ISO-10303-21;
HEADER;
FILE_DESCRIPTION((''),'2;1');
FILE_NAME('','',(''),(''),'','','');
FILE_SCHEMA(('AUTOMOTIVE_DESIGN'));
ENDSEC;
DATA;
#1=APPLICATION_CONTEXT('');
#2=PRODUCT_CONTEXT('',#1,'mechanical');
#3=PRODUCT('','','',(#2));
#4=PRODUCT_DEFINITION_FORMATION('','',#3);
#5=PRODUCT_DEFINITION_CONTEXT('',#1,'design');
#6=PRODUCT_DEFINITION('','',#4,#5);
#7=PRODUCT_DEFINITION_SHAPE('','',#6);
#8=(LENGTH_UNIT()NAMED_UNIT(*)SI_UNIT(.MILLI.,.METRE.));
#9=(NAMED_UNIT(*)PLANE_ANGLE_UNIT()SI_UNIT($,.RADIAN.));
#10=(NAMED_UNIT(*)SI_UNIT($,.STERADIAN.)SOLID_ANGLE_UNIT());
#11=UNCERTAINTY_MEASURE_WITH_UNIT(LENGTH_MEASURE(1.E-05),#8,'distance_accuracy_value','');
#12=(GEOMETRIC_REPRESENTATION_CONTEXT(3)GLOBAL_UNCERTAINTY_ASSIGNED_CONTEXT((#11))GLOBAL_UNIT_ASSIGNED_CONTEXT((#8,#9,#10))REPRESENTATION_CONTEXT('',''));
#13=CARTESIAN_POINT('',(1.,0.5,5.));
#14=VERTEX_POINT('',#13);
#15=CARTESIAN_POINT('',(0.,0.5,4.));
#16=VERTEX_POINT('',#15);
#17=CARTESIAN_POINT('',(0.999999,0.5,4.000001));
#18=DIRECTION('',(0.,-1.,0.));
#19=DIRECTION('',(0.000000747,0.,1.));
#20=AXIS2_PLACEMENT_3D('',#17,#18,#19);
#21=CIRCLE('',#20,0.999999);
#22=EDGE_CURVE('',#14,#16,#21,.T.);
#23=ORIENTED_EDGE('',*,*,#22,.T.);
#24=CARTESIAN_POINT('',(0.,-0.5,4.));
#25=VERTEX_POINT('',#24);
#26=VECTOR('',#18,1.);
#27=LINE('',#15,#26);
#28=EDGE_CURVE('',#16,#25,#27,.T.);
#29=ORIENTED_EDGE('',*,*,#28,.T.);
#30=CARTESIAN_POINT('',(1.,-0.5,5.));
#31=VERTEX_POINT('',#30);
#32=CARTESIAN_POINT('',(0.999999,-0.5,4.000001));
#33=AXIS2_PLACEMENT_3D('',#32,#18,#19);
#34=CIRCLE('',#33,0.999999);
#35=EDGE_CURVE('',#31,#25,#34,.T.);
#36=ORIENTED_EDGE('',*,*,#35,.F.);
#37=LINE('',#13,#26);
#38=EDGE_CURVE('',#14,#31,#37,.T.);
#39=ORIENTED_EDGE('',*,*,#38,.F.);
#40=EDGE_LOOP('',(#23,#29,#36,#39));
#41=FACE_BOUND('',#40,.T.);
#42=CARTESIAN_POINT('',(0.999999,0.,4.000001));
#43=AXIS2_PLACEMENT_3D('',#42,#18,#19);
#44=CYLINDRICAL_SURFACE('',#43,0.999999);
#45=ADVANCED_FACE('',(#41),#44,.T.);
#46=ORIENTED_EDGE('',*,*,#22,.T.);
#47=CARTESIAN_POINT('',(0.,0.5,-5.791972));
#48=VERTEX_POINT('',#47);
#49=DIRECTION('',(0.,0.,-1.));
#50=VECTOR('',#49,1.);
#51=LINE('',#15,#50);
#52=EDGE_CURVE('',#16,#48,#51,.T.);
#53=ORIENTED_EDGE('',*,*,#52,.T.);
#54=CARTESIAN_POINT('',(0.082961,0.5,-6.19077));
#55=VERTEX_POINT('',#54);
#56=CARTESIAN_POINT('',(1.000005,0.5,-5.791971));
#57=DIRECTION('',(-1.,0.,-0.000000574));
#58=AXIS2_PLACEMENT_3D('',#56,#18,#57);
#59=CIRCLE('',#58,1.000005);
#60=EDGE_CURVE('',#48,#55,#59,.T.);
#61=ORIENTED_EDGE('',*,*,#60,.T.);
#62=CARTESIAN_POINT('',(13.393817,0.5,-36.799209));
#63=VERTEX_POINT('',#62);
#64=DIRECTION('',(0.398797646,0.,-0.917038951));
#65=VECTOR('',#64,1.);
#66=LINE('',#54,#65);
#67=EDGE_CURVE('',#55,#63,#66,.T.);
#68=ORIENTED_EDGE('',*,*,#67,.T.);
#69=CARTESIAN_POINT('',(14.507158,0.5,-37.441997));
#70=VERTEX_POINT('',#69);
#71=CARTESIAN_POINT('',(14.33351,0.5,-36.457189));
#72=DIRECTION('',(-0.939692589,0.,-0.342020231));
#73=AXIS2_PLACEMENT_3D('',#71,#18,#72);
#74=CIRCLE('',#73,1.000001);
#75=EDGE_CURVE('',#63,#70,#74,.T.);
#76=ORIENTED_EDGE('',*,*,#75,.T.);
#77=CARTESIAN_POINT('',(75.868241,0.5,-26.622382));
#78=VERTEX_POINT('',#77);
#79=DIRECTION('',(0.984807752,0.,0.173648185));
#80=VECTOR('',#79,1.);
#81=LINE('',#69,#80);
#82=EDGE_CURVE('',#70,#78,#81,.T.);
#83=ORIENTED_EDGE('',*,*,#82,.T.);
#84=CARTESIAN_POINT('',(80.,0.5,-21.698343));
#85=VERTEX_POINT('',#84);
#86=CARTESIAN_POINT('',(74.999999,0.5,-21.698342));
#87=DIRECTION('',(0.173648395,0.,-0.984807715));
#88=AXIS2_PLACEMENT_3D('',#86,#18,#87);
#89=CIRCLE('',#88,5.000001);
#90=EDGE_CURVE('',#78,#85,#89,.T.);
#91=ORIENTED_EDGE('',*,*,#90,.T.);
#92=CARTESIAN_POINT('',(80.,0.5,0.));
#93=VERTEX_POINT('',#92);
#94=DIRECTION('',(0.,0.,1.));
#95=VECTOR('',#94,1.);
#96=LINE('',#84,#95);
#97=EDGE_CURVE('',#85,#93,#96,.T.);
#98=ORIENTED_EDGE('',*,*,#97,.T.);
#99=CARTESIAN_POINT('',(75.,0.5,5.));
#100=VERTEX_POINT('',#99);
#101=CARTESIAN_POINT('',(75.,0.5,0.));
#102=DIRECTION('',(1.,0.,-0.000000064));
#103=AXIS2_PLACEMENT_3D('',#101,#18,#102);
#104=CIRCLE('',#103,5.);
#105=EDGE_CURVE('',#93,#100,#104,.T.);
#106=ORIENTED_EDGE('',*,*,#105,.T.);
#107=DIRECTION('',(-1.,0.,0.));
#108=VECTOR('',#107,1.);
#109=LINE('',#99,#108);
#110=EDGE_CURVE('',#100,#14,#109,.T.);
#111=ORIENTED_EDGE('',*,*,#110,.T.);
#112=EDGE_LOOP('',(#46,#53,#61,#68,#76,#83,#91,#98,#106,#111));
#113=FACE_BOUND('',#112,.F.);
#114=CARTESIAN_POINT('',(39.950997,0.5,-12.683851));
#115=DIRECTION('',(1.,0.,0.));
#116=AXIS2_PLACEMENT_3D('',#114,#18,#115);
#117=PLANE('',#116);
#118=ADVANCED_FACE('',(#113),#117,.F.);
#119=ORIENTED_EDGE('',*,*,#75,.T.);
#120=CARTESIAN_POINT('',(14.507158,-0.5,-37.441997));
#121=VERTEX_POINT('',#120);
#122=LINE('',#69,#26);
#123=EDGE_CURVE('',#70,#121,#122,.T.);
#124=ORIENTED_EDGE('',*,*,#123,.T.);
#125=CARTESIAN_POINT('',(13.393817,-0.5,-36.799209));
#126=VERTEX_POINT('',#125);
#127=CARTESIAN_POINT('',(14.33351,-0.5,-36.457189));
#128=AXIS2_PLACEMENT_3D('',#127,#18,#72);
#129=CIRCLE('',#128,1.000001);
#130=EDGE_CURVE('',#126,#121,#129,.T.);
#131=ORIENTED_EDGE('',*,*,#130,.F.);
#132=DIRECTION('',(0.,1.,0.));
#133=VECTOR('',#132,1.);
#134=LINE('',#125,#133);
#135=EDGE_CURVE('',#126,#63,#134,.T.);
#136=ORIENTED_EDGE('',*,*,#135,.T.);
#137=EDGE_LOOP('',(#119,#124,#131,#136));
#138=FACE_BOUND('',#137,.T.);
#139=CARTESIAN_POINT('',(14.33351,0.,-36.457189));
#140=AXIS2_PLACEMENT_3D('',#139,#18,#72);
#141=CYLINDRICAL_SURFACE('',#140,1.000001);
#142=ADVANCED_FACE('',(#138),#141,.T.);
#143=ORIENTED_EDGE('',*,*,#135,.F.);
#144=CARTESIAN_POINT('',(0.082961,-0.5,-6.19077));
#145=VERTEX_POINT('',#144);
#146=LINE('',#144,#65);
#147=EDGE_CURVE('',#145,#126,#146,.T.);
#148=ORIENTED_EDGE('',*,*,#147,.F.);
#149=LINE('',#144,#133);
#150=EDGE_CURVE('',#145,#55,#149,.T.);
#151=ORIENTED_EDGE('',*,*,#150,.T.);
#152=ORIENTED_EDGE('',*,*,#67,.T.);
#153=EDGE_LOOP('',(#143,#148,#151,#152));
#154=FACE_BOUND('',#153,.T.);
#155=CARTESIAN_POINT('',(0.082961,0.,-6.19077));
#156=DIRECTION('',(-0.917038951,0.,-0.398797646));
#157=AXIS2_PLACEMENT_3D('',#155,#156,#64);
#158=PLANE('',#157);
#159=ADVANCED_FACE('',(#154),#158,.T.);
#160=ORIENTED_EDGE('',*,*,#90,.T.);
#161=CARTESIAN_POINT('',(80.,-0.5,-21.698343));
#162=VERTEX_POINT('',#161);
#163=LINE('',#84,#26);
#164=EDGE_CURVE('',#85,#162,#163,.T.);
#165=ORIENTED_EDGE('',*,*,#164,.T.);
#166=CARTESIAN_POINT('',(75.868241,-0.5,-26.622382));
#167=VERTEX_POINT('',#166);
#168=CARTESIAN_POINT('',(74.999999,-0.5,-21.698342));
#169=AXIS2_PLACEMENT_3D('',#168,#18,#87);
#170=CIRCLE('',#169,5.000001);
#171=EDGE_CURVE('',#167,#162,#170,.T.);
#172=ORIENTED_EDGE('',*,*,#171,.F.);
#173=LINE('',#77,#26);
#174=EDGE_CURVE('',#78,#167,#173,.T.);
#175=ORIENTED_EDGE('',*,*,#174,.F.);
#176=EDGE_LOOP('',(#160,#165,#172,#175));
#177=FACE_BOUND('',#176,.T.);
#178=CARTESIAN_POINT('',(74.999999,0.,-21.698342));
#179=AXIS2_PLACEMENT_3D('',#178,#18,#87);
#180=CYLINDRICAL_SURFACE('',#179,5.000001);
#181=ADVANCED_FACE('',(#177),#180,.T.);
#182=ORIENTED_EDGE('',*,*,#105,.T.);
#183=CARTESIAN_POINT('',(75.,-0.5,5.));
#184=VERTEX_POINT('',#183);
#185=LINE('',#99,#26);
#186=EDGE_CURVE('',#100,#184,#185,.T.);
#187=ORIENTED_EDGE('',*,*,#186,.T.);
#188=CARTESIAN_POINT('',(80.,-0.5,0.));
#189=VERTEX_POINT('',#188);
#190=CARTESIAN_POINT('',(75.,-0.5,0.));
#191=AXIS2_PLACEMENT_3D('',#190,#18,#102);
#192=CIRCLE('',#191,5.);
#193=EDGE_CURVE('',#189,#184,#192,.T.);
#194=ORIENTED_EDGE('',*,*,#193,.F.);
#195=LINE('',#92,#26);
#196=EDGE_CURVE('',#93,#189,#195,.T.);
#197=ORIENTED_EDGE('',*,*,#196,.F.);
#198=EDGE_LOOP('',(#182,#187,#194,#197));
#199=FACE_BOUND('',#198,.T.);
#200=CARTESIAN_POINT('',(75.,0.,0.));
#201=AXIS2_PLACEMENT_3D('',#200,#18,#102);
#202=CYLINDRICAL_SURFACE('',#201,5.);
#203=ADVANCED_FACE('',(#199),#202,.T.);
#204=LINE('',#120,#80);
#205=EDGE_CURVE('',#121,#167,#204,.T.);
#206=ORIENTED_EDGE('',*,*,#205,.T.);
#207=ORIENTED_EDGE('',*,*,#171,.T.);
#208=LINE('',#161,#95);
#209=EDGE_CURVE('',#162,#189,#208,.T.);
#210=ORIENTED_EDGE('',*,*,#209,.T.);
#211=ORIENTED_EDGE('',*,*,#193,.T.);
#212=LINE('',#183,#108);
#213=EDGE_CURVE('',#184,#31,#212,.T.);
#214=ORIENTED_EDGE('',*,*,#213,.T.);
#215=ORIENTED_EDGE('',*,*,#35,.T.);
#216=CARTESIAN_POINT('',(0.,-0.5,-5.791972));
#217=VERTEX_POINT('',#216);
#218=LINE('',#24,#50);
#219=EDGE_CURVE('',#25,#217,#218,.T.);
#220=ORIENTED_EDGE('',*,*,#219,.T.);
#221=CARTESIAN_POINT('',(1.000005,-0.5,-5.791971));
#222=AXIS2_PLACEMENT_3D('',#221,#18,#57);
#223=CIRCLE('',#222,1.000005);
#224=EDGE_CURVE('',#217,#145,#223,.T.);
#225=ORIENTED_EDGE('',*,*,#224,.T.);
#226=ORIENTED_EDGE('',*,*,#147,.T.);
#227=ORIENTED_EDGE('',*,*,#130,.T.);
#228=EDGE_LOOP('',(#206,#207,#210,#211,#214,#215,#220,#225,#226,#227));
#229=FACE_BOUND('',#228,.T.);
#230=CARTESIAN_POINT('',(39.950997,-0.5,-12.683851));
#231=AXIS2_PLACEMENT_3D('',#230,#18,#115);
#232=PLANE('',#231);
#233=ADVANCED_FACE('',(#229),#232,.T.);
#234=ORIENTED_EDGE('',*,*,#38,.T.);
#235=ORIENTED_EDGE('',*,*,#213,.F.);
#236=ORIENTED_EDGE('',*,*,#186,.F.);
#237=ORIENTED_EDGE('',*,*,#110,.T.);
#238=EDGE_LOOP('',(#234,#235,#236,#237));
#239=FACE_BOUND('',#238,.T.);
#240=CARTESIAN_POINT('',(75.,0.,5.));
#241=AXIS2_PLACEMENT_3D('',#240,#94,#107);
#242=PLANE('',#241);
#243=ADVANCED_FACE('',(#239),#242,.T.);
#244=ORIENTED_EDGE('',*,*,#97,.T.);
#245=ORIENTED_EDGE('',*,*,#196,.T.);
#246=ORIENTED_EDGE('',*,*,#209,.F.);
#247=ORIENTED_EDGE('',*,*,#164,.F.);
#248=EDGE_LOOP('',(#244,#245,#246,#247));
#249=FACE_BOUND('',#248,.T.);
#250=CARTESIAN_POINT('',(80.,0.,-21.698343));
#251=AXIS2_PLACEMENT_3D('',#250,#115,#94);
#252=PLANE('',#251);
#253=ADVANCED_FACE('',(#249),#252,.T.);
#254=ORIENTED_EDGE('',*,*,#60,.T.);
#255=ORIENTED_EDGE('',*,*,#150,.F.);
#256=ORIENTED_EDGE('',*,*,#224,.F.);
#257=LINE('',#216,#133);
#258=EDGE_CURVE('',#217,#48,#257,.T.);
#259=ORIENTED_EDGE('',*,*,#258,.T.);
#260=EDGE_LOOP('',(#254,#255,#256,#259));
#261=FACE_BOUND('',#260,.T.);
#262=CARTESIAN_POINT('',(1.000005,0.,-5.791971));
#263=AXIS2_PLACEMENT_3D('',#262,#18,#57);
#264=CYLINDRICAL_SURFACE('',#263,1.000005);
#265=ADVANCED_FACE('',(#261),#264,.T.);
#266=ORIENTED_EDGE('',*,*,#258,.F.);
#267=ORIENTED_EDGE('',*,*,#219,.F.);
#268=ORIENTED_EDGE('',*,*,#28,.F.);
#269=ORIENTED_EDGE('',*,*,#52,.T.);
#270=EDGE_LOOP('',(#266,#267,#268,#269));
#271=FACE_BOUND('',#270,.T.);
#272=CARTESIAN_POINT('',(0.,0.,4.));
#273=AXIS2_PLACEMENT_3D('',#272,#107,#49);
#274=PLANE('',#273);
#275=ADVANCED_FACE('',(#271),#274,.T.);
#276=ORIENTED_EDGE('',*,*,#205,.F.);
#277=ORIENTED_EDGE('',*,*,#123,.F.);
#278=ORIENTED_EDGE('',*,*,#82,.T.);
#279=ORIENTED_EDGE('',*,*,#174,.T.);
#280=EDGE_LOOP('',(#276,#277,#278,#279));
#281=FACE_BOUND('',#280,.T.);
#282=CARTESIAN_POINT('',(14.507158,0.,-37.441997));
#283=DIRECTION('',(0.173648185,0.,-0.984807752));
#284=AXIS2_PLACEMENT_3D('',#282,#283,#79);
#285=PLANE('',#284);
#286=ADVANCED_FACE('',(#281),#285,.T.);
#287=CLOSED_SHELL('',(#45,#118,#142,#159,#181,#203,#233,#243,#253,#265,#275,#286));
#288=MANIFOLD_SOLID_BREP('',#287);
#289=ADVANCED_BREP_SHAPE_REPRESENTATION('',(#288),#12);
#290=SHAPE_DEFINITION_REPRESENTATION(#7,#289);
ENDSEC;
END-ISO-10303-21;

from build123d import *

# Parameters (mm, degrees)
F1_DEPTH = 0.5


with BuildPart() as f1:
    # F0 (on Front) → F1 (new body, symmetric)
    with BuildSketch(Plane.XZ):
        with BuildLine():
            ThreePointArc((13.393817, -36.799209), (13.833509, -37.323214), (14.507158, -37.441997))
            Line((14.507158, -37.441997), (75.868241, -26.622382))
            ThreePointArc((75.868241, -26.622382), (78.830222, -24.912281), (80, -21.698343))
            Line((80, -21.698343), (80, 0))
            ThreePointArc((80, 0), (78.535534, 3.535534), (75, 5))
            Line((75, 5), (1, 5))
            ThreePointArc((1, 5), (0.292893, 4.707107), (0, 4))
            Line((0, 4), (0, -5.791972))
            ThreePointArc((0, -5.791972), (0.02096, -5.99564), (0.082961, -6.19077))
            Line((0.082961, -6.19077), (13.393817, -36.799209))
        make_face()
    extrude(amount=F1_DEPTH, both=True)


solid = f1.part
